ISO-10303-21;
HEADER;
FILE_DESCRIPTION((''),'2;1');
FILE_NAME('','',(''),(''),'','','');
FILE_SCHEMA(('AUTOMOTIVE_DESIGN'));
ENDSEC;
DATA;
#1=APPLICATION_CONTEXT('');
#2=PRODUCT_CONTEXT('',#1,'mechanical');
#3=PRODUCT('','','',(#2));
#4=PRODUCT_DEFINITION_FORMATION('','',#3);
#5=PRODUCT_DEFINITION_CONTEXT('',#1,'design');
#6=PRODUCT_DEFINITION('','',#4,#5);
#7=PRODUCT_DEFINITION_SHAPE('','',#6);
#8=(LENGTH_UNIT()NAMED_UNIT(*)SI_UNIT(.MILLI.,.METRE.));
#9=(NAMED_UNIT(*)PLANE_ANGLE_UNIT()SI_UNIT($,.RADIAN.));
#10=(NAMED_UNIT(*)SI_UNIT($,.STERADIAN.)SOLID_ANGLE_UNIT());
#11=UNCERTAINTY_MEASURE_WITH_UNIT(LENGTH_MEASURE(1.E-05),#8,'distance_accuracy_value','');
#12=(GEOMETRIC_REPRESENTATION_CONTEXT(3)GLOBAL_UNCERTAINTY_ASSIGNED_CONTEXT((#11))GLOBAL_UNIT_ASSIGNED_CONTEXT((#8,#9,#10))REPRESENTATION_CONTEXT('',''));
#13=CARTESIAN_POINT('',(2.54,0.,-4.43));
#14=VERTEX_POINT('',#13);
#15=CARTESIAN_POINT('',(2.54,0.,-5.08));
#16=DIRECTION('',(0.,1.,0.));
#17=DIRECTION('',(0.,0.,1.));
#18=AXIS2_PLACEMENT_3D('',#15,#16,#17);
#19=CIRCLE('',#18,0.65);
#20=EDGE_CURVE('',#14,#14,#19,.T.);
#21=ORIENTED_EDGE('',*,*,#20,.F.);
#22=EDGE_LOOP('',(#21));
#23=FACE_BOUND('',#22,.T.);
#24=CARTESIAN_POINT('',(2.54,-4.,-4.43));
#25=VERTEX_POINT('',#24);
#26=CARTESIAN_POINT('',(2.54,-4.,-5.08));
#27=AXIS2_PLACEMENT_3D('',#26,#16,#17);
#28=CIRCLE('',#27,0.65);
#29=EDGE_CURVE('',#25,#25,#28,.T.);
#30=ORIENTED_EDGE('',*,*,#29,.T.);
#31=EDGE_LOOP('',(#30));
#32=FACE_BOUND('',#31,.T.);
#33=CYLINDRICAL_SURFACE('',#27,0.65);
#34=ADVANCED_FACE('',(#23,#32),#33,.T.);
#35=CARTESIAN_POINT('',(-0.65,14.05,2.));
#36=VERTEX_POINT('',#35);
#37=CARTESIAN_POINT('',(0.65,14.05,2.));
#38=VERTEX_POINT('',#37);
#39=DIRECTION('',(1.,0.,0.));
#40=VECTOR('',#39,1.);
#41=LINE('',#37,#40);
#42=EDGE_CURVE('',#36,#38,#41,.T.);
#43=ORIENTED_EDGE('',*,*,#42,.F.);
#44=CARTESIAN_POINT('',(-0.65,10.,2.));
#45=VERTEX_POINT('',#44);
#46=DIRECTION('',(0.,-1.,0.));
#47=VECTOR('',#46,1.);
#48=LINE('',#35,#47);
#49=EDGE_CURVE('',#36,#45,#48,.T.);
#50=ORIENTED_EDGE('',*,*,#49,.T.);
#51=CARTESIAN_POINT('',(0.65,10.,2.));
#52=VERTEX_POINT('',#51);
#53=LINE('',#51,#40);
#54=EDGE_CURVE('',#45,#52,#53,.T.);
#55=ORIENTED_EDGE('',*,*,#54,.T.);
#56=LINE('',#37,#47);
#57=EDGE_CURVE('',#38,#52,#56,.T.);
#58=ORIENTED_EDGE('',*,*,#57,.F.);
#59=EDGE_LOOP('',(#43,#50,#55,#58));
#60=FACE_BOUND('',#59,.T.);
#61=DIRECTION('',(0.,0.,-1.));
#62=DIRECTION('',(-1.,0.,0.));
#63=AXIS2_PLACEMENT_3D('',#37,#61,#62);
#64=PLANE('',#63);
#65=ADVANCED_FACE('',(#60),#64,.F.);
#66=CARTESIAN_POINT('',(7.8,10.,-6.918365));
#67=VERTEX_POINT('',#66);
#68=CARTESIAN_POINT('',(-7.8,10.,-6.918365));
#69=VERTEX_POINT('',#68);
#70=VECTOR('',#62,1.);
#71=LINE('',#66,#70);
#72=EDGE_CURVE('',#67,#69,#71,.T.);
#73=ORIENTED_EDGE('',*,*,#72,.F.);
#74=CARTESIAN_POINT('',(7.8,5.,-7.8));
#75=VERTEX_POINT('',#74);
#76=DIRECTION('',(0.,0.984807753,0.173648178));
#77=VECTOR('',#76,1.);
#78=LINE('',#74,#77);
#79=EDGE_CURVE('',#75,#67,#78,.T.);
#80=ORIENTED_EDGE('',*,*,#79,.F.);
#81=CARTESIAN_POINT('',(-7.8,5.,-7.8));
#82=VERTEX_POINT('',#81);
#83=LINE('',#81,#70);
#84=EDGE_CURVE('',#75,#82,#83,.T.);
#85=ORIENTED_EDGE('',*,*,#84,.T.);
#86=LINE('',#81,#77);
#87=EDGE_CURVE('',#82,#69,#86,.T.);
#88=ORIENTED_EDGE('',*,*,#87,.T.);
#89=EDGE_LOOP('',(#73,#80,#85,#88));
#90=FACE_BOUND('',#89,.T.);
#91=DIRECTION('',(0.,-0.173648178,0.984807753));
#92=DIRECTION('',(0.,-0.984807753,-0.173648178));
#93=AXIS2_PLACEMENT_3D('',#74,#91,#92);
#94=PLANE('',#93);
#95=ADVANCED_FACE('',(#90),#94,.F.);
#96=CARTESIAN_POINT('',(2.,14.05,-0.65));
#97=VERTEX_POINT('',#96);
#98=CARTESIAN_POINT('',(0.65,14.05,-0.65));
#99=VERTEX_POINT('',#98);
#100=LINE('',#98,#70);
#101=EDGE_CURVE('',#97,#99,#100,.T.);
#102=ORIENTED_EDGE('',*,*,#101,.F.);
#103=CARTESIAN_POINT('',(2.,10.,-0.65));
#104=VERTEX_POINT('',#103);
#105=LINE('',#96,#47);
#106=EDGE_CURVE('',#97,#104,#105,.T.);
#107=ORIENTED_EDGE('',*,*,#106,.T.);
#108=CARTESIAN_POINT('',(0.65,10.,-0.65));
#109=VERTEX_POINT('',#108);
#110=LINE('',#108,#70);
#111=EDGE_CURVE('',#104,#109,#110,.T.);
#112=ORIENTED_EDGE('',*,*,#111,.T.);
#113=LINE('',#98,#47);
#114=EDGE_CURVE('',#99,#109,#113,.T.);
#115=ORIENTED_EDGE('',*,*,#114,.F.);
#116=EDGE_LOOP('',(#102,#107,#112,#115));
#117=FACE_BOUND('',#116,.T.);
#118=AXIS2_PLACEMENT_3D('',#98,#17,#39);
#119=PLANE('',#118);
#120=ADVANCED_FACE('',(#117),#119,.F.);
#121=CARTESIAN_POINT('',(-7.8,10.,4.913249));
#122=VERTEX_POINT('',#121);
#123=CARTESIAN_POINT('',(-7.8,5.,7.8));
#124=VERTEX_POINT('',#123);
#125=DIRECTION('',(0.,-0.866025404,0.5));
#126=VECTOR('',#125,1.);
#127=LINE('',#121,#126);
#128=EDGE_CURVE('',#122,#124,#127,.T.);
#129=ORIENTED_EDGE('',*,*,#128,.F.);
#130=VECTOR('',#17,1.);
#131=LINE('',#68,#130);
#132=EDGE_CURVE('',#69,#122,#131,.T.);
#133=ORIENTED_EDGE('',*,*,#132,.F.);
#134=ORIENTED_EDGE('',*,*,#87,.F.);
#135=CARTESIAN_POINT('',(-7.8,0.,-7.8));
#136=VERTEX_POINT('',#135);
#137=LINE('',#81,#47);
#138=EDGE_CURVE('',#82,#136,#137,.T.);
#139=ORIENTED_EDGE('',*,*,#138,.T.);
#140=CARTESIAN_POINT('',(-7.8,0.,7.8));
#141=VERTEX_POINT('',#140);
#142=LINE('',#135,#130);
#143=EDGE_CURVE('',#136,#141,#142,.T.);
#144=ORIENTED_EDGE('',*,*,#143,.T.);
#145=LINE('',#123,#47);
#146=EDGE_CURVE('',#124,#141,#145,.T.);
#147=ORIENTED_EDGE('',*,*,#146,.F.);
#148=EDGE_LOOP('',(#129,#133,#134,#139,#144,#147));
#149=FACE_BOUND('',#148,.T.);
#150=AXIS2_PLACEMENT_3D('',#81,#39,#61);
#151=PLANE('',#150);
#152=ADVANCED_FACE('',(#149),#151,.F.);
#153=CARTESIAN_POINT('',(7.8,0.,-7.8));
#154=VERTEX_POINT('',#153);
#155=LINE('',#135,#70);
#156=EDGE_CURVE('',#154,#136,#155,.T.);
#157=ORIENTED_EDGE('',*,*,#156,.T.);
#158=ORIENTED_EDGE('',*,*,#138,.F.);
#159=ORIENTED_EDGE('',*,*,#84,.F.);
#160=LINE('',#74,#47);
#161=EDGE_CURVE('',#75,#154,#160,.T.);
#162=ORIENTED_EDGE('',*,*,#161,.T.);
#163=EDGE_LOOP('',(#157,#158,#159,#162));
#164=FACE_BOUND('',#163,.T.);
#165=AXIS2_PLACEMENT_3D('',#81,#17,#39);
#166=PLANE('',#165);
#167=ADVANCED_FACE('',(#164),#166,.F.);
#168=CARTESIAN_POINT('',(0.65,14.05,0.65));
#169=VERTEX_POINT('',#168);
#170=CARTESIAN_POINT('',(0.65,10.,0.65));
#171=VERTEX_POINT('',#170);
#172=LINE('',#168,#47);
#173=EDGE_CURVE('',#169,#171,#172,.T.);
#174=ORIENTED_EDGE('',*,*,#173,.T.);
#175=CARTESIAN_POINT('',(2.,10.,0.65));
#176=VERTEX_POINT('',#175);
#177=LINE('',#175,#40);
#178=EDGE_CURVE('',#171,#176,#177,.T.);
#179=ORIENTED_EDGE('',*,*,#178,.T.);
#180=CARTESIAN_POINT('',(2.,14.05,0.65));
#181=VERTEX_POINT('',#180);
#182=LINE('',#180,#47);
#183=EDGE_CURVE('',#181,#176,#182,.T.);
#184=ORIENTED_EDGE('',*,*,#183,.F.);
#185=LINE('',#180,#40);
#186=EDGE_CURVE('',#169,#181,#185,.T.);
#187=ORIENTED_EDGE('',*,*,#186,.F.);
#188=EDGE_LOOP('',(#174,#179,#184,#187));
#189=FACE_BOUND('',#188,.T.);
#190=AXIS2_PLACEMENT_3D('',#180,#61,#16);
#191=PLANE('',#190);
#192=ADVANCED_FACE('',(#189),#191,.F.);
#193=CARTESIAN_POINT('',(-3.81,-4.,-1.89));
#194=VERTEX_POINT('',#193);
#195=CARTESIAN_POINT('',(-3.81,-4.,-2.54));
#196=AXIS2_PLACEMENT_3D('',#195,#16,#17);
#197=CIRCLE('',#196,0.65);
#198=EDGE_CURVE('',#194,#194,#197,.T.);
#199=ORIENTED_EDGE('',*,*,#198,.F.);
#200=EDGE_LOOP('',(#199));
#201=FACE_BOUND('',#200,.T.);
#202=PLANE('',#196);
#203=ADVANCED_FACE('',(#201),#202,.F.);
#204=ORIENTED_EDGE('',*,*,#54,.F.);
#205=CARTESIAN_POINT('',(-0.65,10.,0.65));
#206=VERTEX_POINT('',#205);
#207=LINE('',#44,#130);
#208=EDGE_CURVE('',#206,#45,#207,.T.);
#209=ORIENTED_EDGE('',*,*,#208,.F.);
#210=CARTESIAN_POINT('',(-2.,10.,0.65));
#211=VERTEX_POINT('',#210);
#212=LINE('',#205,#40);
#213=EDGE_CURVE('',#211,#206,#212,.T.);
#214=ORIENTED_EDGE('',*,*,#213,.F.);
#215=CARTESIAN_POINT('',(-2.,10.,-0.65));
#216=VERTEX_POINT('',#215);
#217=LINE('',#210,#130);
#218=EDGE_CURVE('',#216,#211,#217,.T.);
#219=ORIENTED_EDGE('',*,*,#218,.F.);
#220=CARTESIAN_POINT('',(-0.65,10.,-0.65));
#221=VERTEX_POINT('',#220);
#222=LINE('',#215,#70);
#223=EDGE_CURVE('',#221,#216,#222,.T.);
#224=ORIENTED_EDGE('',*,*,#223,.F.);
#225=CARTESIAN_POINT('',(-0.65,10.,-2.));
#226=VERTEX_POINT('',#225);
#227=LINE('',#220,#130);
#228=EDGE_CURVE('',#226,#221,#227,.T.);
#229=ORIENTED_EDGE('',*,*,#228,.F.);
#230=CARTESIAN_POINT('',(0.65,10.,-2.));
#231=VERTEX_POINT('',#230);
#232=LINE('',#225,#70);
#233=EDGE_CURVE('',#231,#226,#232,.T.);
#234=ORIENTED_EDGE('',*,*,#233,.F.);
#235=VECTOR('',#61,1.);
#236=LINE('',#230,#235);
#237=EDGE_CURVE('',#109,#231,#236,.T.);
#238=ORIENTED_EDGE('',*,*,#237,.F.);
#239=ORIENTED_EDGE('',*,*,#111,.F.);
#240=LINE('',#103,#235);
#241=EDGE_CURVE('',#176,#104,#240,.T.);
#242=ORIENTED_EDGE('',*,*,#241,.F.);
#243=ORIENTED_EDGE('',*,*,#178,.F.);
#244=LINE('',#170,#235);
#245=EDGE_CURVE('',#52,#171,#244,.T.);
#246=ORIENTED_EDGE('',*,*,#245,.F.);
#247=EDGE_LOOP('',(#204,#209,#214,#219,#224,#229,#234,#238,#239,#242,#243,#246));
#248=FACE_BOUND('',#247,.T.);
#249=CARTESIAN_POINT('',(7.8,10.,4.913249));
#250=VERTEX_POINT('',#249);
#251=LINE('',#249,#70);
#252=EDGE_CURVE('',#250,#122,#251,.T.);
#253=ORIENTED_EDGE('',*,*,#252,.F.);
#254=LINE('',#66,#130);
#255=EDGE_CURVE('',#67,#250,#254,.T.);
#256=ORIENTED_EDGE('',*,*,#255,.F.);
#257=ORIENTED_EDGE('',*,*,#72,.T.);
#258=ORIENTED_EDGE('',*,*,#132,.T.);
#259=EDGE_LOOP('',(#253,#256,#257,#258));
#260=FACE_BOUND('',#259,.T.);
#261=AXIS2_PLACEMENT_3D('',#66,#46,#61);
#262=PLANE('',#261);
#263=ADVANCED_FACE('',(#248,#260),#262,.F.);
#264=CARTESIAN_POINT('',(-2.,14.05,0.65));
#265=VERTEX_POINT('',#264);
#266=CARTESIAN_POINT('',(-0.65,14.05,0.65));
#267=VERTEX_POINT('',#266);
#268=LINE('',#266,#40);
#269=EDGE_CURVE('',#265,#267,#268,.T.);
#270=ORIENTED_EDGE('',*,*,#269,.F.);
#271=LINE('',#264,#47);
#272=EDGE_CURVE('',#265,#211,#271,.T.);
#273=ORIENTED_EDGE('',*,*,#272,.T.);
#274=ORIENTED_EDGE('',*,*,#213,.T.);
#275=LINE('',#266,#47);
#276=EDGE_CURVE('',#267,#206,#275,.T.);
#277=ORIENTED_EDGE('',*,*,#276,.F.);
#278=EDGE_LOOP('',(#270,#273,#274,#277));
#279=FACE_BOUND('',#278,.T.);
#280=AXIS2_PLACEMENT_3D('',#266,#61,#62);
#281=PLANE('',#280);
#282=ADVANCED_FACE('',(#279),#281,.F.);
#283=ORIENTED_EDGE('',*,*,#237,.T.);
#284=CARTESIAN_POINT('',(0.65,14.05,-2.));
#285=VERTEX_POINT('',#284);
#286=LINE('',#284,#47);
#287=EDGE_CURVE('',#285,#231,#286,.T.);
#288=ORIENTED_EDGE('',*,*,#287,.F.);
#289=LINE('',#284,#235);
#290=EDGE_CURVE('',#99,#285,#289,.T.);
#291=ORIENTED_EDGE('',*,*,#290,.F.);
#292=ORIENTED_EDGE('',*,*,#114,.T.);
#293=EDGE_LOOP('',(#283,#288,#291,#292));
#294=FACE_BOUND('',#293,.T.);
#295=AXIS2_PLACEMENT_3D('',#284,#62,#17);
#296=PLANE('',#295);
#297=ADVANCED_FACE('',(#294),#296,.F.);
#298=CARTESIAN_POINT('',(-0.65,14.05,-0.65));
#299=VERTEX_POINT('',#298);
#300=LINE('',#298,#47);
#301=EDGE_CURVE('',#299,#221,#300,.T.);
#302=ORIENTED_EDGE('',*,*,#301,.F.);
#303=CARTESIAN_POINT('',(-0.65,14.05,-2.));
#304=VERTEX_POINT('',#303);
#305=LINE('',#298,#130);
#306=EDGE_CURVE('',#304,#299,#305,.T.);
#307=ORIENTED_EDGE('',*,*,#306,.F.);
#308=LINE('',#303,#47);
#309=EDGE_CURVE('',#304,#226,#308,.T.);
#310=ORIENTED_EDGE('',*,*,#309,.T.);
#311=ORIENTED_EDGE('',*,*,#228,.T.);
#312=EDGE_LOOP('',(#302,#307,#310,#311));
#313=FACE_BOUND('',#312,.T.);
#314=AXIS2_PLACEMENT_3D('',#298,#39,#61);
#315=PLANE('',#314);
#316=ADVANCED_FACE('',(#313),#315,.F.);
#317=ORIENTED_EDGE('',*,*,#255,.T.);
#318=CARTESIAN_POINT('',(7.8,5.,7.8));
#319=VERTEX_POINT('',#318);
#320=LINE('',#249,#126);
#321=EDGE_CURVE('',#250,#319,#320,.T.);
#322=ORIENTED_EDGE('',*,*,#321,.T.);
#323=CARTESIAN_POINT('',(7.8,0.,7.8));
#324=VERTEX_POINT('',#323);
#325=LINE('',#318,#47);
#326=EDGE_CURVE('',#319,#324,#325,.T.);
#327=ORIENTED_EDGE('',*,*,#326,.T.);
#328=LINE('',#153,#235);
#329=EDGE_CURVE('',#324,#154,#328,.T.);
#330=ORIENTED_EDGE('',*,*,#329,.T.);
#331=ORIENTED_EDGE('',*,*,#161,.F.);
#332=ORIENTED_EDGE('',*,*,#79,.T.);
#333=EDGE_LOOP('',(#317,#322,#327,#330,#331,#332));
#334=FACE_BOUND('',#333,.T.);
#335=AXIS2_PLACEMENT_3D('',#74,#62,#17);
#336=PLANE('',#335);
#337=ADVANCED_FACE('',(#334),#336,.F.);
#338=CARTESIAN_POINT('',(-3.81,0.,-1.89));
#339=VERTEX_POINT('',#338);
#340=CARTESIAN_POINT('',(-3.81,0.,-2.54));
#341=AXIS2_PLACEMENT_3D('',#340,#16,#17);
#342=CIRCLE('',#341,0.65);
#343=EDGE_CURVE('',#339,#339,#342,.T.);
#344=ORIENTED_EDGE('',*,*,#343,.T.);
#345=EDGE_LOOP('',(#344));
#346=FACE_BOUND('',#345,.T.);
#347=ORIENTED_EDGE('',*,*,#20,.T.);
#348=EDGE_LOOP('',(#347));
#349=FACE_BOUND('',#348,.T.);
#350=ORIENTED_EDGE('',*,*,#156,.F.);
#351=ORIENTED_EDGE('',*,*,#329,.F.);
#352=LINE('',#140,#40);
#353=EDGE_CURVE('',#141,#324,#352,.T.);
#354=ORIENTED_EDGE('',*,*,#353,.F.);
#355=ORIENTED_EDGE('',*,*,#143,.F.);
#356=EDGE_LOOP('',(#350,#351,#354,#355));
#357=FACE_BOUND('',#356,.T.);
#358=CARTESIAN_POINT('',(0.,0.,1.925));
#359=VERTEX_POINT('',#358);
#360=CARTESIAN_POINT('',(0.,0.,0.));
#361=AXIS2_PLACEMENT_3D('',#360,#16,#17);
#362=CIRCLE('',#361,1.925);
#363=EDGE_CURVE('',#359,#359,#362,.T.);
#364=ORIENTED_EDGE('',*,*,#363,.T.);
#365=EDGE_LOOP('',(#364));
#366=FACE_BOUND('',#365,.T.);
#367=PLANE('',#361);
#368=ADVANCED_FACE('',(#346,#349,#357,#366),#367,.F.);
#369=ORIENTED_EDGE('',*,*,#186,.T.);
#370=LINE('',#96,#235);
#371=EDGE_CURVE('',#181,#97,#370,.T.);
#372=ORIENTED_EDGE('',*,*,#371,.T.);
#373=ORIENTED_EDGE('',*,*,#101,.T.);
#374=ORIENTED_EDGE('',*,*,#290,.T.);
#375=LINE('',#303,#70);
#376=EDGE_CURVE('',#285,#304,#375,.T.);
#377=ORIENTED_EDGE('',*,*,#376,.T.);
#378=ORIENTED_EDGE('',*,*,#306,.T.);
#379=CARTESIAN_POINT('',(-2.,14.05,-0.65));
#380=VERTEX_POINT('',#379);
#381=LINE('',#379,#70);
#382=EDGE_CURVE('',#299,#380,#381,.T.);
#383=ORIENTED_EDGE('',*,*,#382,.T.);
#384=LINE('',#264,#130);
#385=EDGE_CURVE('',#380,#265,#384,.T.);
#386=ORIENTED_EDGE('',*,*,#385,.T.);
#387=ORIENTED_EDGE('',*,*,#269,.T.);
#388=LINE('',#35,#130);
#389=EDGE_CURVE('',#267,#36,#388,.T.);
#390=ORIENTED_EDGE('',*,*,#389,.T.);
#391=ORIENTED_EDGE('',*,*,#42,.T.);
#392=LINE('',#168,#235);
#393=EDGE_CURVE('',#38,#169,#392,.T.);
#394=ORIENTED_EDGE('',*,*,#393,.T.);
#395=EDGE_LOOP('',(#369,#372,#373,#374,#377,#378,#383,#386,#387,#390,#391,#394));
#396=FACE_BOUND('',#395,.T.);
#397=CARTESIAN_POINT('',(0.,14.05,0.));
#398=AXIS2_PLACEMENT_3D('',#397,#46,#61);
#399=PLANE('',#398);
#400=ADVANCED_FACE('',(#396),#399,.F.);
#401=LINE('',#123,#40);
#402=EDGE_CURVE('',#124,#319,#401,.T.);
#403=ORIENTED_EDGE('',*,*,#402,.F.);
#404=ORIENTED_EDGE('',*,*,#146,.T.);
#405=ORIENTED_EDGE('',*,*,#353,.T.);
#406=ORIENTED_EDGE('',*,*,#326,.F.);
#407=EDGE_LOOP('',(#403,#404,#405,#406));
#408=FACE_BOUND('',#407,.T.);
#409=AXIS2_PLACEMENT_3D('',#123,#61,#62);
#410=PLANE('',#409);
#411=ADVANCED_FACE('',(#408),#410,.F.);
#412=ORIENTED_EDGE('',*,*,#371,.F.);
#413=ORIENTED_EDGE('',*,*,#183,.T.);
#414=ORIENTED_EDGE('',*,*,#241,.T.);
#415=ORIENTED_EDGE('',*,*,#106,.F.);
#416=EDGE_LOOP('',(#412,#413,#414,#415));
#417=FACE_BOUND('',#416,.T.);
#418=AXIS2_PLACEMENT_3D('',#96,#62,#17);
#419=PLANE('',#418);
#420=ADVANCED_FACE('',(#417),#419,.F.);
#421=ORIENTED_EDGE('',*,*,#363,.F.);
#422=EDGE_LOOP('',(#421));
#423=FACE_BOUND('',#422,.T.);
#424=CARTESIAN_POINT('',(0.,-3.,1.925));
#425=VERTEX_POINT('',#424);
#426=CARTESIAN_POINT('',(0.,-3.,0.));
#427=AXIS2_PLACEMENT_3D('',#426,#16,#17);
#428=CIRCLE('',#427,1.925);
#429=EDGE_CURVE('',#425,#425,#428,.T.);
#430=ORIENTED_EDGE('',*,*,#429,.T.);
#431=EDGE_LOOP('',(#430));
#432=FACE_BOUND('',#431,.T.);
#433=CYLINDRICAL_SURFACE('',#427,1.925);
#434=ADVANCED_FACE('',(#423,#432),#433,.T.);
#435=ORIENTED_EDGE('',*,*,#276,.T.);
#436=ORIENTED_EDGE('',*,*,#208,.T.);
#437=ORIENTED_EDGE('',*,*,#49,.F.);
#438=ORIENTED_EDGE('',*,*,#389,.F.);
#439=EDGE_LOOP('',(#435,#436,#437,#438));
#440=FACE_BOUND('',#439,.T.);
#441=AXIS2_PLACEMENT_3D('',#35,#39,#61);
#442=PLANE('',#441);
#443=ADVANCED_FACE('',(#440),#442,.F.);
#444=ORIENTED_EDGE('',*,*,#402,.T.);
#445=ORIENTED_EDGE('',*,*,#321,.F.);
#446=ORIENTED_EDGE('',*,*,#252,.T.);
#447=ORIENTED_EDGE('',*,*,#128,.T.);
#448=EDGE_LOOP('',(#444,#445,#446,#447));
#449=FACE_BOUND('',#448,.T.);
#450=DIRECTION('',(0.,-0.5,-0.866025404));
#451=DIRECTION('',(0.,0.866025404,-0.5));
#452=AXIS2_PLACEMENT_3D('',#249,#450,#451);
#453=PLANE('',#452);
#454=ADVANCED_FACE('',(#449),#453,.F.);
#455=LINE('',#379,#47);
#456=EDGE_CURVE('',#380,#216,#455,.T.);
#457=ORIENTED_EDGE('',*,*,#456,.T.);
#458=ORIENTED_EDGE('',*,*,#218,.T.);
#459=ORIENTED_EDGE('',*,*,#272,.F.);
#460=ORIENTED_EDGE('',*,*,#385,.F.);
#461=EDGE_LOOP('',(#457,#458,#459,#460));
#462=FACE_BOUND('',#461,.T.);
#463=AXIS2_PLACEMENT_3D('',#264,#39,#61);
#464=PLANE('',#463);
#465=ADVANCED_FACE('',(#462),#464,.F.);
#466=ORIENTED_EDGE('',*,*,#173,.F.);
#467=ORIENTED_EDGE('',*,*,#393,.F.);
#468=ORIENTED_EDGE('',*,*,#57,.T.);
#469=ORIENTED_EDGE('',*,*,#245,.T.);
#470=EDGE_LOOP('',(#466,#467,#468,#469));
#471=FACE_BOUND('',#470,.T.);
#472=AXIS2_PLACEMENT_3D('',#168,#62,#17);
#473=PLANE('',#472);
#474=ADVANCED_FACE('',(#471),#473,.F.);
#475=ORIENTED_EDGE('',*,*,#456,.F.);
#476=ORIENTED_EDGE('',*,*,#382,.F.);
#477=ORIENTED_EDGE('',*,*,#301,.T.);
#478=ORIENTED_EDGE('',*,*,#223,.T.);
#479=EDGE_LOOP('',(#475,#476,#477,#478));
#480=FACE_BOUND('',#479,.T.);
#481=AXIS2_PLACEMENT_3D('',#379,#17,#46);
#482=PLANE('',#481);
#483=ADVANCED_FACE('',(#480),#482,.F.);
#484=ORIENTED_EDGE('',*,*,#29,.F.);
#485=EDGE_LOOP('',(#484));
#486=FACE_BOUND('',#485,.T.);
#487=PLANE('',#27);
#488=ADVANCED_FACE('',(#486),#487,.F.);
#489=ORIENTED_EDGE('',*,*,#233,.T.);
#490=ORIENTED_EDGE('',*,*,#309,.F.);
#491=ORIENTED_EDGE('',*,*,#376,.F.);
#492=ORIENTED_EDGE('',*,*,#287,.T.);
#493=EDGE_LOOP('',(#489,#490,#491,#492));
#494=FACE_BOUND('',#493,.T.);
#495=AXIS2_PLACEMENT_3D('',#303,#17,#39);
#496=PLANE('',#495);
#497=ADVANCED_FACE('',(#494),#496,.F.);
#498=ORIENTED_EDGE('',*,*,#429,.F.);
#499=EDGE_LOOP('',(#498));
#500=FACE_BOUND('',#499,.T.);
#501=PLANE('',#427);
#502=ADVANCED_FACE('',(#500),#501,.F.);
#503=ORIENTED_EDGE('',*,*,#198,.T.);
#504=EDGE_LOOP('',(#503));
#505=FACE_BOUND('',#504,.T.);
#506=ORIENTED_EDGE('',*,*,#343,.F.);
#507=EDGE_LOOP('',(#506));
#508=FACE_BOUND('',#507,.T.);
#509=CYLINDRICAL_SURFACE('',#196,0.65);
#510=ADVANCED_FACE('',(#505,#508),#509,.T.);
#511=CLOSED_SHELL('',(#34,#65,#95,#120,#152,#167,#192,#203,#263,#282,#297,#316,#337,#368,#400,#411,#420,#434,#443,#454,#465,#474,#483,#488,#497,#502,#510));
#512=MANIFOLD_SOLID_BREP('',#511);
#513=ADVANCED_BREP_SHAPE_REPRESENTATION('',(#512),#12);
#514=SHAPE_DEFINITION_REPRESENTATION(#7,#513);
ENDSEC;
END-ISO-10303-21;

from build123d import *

# Parameters (mm, degrees)
SKETCH1_W           = 15.6
SKETCH1_H           = 15.6
BOSS_EXTRUDE1_DEPTH = 5
BOSS_EXTRUDE2_DEPTH = 7.8
BOSS_EXTRUDE3_DEPTH = 4.05
SKETCH4_R           = 1.925
BOSS_EXTRUDE4_DEPTH = 3
SKETCH6_R           = 0.65
BOSS_EXTRUDE5_DEPTH = 4


with BuildPart() as part:
    # Sketch1 → Boss-Extrude1 (new body)
    with BuildSketch(Plane(origin=(0, 0, 0), x_dir=(1, 0, 0), z_dir=(0, 1, 0))):
        Rectangle(SKETCH1_W, SKETCH1_H)
    extrude(amount=BOSS_EXTRUDE1_DEPTH)

    # Sketch2 → Boss-Extrude2 (add, symmetric)
    with BuildSketch(Plane(origin=(0, 0, 0), x_dir=(0, 0, -1), z_dir=(1, 0, 0))):
        Polygon((-7.8, 5), (7.8, 5), (6.918365096, 10), (-4.913248654, 10), align=None)
    extrude(amount=BOSS_EXTRUDE2_DEPTH, both=True)

    # Sketch3 → Boss-Extrude3 (add)
    with BuildSketch(Plane(origin=(0, 10, 0), x_dir=(1, 0, 0), z_dir=(0, 1, 0))):
        Polygon((-0.65, 2), (0.65, 2), (0.65, 0.65), (2, 0.65), (2, -0.65), (0.65, -0.65), (0.65, -2), (-0.65, -2), (-0.65, -0.65), (-2, -0.65), (-2, 0.65), (-0.65, 0.65), align=None)
    extrude(amount=BOSS_EXTRUDE3_DEPTH)

    # Sketch4 → Boss-Extrude4 (add)
    with BuildSketch(Plane(origin=(0, 0, 0), x_dir=(1, 0, 0), z_dir=(0, 1, 0))):
        with Locations(Location((0, 0, 0), (0, 0, 270))):
            Circle(SKETCH4_R)
    extrude(amount=-BOSS_EXTRUDE4_DEPTH)

    # Sketch6 → Boss-Extrude5 (add)
    with BuildSketch(Plane(origin=(0, 0, 0), x_dir=(1, 0, 0), z_dir=(0, 1, 0))):
        with Locations(Location((2.54, 5.08, 0), (0, 0, 270))):
            Circle(SKETCH6_R)
        with Locations(Location((-3.81, 2.54, 0), (0, 0, 270))):
            Circle(SKETCH6_R)
    extrude(amount=-BOSS_EXTRUDE5_DEPTH)


solid = part.part
